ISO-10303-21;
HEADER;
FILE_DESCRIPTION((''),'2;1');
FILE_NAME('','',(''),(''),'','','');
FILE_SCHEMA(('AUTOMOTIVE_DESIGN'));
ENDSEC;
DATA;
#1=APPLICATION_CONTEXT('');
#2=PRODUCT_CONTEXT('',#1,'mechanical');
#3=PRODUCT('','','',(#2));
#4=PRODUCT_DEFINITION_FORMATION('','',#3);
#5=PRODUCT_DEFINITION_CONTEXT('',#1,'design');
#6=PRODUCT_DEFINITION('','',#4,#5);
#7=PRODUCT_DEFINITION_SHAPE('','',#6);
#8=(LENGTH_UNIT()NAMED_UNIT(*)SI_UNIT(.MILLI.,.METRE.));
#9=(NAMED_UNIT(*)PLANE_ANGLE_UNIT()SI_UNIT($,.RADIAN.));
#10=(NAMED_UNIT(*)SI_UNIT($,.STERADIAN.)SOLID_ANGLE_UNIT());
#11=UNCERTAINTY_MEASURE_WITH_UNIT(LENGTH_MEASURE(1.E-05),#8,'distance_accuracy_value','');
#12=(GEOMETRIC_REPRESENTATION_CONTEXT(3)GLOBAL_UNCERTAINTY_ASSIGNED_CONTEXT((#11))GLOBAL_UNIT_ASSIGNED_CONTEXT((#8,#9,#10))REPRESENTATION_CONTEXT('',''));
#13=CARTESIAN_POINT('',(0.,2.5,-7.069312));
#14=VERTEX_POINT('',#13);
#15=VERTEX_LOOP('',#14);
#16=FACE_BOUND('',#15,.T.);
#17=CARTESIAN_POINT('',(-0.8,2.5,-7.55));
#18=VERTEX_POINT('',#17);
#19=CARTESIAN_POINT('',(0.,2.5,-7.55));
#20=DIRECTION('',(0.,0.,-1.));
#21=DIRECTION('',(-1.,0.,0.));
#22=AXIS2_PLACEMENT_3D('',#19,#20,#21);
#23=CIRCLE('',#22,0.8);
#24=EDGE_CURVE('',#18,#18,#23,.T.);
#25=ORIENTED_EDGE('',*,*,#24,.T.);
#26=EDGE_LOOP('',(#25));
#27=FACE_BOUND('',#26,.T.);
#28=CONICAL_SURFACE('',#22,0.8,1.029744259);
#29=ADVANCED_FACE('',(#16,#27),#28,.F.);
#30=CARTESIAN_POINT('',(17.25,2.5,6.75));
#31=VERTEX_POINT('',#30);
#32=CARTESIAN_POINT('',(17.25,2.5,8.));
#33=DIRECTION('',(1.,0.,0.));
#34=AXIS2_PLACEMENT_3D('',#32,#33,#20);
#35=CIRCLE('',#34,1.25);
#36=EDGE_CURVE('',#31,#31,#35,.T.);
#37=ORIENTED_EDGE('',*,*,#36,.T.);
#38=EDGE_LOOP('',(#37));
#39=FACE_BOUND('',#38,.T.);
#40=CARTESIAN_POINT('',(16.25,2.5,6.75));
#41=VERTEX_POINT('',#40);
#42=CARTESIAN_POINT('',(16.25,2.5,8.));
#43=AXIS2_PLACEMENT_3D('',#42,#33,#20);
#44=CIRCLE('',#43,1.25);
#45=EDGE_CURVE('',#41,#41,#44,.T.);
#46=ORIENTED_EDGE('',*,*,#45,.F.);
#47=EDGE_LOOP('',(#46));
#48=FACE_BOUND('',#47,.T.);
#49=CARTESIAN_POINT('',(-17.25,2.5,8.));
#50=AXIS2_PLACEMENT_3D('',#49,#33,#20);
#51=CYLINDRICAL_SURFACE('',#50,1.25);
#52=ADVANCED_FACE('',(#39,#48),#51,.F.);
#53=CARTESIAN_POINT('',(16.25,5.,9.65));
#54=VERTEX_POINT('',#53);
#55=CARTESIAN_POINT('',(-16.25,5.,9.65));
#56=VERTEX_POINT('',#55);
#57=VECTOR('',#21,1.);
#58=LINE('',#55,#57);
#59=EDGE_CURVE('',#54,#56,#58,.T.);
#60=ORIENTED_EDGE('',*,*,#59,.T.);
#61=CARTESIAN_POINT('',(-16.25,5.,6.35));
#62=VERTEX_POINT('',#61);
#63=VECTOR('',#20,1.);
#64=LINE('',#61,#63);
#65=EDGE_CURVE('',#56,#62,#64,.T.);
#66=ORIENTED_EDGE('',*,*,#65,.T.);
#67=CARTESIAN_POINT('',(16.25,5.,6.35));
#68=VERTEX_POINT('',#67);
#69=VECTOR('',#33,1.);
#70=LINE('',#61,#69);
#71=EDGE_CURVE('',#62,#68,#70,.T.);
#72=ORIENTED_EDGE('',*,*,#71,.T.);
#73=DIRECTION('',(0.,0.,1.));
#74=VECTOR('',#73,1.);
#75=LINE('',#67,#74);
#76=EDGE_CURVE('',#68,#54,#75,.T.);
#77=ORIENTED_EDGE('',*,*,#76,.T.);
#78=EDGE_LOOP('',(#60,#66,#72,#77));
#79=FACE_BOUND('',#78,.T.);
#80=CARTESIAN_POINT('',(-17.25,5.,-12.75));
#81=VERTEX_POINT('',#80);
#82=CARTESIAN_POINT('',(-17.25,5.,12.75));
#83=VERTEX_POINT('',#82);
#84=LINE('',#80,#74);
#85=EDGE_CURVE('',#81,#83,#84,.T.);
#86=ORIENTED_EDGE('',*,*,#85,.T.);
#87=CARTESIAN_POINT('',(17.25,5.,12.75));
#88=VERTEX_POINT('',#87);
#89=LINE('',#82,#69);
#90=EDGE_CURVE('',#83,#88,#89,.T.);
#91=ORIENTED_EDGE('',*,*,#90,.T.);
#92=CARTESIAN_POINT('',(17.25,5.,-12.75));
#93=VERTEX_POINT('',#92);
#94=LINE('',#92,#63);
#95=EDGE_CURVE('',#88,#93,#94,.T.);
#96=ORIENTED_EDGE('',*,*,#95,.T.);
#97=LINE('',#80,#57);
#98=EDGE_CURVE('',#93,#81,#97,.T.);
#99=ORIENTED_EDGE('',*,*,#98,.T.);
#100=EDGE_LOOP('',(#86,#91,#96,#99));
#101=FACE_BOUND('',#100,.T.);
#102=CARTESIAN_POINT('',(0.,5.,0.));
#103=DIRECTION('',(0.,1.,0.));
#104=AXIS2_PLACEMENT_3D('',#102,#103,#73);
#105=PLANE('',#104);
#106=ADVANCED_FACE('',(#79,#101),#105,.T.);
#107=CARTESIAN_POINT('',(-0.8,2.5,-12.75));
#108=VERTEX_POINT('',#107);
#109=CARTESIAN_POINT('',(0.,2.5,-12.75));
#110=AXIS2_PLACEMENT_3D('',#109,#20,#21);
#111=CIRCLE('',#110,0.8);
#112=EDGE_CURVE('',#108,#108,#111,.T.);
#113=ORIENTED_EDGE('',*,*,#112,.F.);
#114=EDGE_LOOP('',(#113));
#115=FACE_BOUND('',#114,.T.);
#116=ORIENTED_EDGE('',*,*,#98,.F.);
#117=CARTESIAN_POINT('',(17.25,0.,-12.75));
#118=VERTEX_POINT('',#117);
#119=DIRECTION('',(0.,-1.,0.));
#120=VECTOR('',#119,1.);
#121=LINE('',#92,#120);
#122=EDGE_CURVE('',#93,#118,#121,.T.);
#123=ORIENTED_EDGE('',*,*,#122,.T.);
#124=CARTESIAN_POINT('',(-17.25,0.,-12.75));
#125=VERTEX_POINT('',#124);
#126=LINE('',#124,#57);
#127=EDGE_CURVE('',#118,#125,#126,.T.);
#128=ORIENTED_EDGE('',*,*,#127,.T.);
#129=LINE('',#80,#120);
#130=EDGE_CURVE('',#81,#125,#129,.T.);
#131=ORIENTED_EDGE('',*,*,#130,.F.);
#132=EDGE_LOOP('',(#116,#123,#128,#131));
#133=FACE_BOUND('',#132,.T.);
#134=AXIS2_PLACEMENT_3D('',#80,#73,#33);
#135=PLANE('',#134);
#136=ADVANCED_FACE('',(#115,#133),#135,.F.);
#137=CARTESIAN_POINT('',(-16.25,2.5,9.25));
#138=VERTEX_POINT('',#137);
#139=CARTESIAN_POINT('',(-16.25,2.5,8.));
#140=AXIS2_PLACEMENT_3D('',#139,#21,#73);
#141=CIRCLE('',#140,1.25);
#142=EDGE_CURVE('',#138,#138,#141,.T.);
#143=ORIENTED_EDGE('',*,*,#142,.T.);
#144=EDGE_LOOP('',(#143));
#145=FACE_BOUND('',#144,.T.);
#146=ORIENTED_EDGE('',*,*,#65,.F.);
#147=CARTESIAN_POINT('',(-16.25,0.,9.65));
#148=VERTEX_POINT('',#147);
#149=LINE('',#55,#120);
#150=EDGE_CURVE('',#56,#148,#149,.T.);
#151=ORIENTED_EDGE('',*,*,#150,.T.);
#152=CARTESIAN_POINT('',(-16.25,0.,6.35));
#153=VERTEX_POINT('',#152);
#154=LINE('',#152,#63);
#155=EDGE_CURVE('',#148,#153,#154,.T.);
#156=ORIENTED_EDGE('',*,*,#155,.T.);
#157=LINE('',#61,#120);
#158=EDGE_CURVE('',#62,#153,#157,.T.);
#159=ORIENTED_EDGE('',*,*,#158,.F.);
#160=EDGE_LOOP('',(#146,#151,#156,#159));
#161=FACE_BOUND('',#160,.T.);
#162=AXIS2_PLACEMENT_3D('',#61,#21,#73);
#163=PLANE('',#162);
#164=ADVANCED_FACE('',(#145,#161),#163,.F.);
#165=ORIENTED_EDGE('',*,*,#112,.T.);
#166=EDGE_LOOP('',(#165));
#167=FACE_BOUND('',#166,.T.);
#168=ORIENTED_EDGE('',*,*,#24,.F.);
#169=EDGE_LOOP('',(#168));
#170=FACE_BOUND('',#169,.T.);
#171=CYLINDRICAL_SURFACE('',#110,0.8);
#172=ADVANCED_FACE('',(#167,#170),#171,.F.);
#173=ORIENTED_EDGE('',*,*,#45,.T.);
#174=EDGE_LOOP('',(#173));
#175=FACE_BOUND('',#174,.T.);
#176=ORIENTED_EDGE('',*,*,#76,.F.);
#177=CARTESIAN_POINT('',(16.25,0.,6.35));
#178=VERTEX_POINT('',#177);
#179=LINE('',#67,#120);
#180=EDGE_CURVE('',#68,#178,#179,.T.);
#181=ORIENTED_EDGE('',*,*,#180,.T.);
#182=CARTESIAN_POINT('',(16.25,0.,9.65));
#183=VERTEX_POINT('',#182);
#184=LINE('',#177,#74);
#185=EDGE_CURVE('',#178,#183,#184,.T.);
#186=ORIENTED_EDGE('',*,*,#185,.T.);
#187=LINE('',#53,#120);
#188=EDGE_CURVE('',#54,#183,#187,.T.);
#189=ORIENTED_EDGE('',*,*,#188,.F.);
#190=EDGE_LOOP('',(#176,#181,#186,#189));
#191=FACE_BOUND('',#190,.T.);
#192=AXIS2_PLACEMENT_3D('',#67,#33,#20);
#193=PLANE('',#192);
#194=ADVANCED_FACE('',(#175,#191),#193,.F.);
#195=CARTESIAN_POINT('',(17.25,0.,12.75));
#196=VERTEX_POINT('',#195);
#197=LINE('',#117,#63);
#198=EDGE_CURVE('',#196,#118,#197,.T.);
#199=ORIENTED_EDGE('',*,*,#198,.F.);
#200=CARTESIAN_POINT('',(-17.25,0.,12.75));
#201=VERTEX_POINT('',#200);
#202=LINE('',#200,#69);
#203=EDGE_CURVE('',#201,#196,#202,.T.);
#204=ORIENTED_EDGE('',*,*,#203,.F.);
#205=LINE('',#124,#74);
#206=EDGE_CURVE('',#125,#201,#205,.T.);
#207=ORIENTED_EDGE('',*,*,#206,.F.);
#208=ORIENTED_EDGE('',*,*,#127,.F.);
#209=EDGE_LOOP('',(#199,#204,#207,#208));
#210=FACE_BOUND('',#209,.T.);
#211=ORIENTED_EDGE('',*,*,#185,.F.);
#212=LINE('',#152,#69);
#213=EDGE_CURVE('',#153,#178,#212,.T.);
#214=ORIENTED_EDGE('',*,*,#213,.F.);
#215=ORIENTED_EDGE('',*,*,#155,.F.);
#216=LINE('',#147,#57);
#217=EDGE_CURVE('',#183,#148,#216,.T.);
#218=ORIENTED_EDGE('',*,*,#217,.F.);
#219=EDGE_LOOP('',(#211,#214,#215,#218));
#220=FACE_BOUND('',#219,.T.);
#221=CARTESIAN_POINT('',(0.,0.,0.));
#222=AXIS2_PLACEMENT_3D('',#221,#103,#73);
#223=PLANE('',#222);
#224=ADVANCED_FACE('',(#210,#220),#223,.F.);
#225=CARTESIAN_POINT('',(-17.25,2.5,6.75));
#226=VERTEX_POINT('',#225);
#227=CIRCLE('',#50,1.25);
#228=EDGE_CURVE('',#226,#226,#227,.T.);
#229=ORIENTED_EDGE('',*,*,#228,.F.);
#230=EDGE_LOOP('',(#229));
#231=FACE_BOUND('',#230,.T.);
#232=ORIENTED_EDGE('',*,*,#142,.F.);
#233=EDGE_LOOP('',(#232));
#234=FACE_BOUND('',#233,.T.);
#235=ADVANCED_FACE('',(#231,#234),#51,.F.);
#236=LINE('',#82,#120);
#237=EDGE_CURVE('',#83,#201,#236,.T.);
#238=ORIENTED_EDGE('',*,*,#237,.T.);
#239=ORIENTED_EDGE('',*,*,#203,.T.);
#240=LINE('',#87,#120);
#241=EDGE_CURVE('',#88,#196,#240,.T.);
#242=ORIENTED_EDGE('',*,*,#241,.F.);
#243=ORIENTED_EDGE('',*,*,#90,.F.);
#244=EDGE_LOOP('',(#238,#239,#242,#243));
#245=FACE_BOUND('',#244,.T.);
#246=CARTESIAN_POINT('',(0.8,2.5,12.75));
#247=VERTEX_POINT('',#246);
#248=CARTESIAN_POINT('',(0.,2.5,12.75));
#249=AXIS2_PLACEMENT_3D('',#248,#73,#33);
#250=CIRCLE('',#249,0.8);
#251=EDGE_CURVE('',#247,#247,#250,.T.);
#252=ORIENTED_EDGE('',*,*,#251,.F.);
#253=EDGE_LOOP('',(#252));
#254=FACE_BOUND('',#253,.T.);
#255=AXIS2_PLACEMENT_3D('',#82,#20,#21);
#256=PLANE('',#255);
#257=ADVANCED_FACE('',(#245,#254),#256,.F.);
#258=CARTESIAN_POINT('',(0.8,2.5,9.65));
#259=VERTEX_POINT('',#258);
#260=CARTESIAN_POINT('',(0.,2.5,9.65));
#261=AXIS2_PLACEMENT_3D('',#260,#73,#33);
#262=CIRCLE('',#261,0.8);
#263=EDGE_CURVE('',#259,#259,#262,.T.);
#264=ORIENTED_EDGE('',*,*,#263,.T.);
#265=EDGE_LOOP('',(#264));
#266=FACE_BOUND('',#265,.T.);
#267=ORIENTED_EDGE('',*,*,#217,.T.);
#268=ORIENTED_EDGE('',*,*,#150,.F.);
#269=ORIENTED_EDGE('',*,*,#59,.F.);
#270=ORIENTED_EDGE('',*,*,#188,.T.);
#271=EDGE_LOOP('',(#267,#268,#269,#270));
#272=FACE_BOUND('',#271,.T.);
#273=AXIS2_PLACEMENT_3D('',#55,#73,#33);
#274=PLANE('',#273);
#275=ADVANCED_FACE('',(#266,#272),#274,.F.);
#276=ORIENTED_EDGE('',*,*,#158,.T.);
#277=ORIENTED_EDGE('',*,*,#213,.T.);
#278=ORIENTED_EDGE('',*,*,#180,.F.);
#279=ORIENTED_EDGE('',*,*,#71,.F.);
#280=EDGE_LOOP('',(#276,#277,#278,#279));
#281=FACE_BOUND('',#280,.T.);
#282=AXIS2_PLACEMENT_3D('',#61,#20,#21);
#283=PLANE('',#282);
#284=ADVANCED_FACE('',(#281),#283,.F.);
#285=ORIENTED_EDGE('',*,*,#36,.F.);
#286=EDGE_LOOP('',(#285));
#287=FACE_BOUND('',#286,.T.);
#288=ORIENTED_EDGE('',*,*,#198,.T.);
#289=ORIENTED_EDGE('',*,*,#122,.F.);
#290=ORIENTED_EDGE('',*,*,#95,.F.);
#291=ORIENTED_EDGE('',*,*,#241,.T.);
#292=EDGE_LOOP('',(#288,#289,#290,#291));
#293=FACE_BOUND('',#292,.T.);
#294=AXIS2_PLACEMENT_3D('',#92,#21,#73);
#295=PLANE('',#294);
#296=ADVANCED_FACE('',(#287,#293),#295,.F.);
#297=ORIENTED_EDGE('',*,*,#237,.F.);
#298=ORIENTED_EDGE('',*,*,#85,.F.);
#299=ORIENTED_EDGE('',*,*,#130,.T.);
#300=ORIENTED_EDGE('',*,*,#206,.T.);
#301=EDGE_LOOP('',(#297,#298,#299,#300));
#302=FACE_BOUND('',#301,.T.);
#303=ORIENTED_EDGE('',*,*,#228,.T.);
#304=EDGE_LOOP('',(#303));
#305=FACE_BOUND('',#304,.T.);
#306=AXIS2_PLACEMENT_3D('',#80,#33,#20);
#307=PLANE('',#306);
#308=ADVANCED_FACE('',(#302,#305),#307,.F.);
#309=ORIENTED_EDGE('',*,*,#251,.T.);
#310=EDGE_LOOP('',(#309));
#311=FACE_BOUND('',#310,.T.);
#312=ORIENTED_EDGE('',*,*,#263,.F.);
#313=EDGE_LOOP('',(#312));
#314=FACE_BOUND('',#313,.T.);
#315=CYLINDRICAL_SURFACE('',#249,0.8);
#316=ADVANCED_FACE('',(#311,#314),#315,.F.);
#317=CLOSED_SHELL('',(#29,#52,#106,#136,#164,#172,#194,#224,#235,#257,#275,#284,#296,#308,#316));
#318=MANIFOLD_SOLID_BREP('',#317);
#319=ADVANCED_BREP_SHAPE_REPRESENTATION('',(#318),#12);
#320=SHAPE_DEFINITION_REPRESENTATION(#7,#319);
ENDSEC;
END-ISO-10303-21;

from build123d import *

# Parameters (mm, degrees)
SKETCH_1_W          = 34.5
SKETCH_1_H          = 25.5
EXTRUDE_1_DEPTH     = 5
SKETCH_5_W          = 32.5
SKETCH_5_H          = 3.3
CUT_EXTRUDE_1_DEPTH = 23.025553342
SKETCH_7_R          = 1.25
CUT_EXTRUDE_2_DEPTH = 38.118896805


with BuildPart() as part:
    # 草图1 → 凸台-拉伸1 (new body)
    with BuildSketch(Plane(origin=(0, 0, 0), x_dir=(1, 0, 0), z_dir=(0, 1, 0))):
        Rectangle(SKETCH_1_W, SKETCH_1_H)
    extrude(amount=EXTRUDE_1_DEPTH)

    # 草图5 → 切除-拉伸1 (cut, through all)
    with BuildSketch(Plane.XZ):
        with Locations((0, 8)):
            Rectangle(SKETCH_5_W, SKETCH_5_H)
    extrude(amount=-CUT_EXTRUDE_1_DEPTH, mode=Mode.SUBTRACT)

    # 草图7 → 切除-拉伸2 (cut, through all)
    with BuildSketch(Plane(origin=(17.25, 0, 0), x_dir=(0, 0, -1), z_dir=(1, 0, 0))):
        with Locations((-8, 2.5)):
            Circle(SKETCH_7_R)
    extrude(amount=-CUT_EXTRUDE_2_DEPTH, mode=Mode.SUBTRACT)

    # 草图8 → M2x0.4 螺纹孔1 (revolve, cut)
    with BuildSketch(Plane(origin=(0, 2.5, -12.75), x_dir=(0, 1, 0), z_dir=(1, 0, 0))):
        Polygon((0, 0), (0, 5.680688495), (0.8, 5.2), (0.8, 0), align=None)
    m2x0_4_1 = revolve(axis=Axis((0, 2.5, -19.1), (0, 0, 1)), mode=Mode.SUBTRACT)

    # 镜向1: M2x0.4 螺纹孔1 across plane
    add(m2x0_4_1.mirror(Plane.XY), mode=Mode.SUBTRACT)


solid = part.part
